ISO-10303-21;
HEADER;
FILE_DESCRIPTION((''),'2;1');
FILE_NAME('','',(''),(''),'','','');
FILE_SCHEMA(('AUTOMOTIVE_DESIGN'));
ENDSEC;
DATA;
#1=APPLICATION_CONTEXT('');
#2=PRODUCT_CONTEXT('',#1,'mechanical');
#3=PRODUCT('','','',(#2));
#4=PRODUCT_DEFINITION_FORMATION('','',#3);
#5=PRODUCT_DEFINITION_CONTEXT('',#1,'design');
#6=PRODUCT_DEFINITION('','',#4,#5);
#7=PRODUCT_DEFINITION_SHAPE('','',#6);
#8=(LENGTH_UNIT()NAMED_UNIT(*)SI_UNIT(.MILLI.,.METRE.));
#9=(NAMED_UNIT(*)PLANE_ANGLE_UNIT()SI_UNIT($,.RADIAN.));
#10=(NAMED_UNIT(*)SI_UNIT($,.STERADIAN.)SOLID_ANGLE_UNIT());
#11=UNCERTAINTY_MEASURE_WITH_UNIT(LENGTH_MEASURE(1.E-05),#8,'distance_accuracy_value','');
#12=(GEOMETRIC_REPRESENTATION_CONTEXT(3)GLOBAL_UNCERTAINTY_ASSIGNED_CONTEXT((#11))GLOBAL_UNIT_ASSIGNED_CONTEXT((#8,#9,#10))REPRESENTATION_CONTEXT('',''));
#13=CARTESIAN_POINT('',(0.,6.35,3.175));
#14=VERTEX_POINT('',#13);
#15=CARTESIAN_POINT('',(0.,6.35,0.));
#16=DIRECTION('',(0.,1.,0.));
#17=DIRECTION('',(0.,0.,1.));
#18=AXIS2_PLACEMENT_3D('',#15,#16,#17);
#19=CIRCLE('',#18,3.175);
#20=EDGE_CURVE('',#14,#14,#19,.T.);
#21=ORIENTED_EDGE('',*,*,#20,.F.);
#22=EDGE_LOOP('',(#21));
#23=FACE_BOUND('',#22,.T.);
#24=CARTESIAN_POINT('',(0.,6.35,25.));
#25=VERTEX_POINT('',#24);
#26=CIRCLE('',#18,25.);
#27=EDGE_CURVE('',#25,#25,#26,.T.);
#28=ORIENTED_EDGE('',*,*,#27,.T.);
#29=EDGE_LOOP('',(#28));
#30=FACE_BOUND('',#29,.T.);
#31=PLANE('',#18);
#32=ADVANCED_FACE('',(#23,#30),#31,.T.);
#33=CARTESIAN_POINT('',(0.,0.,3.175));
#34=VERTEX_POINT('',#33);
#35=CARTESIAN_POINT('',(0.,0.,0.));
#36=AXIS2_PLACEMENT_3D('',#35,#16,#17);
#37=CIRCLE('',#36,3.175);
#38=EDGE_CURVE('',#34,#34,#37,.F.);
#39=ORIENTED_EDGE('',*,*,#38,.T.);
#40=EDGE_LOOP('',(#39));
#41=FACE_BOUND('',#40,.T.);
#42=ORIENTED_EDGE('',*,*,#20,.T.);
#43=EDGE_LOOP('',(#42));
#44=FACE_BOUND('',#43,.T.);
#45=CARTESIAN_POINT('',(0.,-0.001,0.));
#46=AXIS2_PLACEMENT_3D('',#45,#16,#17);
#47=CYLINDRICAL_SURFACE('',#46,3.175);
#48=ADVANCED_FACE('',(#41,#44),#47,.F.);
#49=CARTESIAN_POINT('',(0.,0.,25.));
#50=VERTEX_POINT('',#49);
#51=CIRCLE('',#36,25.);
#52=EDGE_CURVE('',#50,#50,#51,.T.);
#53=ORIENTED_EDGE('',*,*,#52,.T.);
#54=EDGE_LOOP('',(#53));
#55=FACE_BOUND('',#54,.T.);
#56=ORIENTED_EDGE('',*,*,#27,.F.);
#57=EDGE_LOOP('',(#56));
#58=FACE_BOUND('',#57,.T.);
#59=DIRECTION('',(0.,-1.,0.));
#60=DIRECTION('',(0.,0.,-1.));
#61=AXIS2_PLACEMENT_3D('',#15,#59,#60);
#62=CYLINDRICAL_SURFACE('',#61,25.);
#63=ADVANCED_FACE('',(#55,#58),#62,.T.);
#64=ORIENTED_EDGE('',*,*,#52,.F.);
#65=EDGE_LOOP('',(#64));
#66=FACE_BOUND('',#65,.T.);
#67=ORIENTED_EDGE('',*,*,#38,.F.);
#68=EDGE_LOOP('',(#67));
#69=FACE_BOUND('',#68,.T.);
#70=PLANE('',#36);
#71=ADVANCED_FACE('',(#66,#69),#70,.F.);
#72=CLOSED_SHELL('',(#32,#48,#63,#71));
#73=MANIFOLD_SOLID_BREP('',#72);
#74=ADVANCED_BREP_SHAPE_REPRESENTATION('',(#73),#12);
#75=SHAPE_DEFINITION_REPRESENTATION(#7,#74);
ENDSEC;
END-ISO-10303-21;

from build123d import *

# Parameters (mm, degrees)
ESQUISSE1_R             = 25
BOSS_EXTRU_1_DEPTH      = 6.35
ENL_V_MAT_EXTRU_1_REACH = 37.921
ESQUISSE2_R             = 3.175


with BuildPart() as part:
    # Esquisse1 → Boss.-Extru.1 (new body)
    with BuildSketch(Plane(origin=(0, 0, 0), x_dir=(1, 0, 0), z_dir=(0, 1, 0))):
        with Locations(Location((0, 0, 0), (0, 0, 270))):
            Circle(ESQUISSE1_R)
    extrude(amount=BOSS_EXTRU_1_DEPTH)

    # Esquisse2 → Enlèv. mat.-Extru.1 (cut, up to next)
    with BuildSketch(Plane(origin=(0, 6.35, 0), x_dir=(1, 0, 0), z_dir=(0, 1, 0)), mode=Mode.PRIVATE) as enl_v_mat_extru_1_sk1:
        with Locations(Location((0, 0, 0), (0, 0, 270))):
            Circle(ESQUISSE2_R)
    enl_v_mat_extru_1_tool1 = extrude(enl_v_mat_extru_1_sk1.sketch, amount=-ENL_V_MAT_EXTRU_1_REACH, mode=Mode.PRIVATE) & part.part
    add(enl_v_mat_extru_1_tool1.solids().sort_by_distance((0, 6.35, 0))[0], mode=Mode.SUBTRACT)


solid = part.part
